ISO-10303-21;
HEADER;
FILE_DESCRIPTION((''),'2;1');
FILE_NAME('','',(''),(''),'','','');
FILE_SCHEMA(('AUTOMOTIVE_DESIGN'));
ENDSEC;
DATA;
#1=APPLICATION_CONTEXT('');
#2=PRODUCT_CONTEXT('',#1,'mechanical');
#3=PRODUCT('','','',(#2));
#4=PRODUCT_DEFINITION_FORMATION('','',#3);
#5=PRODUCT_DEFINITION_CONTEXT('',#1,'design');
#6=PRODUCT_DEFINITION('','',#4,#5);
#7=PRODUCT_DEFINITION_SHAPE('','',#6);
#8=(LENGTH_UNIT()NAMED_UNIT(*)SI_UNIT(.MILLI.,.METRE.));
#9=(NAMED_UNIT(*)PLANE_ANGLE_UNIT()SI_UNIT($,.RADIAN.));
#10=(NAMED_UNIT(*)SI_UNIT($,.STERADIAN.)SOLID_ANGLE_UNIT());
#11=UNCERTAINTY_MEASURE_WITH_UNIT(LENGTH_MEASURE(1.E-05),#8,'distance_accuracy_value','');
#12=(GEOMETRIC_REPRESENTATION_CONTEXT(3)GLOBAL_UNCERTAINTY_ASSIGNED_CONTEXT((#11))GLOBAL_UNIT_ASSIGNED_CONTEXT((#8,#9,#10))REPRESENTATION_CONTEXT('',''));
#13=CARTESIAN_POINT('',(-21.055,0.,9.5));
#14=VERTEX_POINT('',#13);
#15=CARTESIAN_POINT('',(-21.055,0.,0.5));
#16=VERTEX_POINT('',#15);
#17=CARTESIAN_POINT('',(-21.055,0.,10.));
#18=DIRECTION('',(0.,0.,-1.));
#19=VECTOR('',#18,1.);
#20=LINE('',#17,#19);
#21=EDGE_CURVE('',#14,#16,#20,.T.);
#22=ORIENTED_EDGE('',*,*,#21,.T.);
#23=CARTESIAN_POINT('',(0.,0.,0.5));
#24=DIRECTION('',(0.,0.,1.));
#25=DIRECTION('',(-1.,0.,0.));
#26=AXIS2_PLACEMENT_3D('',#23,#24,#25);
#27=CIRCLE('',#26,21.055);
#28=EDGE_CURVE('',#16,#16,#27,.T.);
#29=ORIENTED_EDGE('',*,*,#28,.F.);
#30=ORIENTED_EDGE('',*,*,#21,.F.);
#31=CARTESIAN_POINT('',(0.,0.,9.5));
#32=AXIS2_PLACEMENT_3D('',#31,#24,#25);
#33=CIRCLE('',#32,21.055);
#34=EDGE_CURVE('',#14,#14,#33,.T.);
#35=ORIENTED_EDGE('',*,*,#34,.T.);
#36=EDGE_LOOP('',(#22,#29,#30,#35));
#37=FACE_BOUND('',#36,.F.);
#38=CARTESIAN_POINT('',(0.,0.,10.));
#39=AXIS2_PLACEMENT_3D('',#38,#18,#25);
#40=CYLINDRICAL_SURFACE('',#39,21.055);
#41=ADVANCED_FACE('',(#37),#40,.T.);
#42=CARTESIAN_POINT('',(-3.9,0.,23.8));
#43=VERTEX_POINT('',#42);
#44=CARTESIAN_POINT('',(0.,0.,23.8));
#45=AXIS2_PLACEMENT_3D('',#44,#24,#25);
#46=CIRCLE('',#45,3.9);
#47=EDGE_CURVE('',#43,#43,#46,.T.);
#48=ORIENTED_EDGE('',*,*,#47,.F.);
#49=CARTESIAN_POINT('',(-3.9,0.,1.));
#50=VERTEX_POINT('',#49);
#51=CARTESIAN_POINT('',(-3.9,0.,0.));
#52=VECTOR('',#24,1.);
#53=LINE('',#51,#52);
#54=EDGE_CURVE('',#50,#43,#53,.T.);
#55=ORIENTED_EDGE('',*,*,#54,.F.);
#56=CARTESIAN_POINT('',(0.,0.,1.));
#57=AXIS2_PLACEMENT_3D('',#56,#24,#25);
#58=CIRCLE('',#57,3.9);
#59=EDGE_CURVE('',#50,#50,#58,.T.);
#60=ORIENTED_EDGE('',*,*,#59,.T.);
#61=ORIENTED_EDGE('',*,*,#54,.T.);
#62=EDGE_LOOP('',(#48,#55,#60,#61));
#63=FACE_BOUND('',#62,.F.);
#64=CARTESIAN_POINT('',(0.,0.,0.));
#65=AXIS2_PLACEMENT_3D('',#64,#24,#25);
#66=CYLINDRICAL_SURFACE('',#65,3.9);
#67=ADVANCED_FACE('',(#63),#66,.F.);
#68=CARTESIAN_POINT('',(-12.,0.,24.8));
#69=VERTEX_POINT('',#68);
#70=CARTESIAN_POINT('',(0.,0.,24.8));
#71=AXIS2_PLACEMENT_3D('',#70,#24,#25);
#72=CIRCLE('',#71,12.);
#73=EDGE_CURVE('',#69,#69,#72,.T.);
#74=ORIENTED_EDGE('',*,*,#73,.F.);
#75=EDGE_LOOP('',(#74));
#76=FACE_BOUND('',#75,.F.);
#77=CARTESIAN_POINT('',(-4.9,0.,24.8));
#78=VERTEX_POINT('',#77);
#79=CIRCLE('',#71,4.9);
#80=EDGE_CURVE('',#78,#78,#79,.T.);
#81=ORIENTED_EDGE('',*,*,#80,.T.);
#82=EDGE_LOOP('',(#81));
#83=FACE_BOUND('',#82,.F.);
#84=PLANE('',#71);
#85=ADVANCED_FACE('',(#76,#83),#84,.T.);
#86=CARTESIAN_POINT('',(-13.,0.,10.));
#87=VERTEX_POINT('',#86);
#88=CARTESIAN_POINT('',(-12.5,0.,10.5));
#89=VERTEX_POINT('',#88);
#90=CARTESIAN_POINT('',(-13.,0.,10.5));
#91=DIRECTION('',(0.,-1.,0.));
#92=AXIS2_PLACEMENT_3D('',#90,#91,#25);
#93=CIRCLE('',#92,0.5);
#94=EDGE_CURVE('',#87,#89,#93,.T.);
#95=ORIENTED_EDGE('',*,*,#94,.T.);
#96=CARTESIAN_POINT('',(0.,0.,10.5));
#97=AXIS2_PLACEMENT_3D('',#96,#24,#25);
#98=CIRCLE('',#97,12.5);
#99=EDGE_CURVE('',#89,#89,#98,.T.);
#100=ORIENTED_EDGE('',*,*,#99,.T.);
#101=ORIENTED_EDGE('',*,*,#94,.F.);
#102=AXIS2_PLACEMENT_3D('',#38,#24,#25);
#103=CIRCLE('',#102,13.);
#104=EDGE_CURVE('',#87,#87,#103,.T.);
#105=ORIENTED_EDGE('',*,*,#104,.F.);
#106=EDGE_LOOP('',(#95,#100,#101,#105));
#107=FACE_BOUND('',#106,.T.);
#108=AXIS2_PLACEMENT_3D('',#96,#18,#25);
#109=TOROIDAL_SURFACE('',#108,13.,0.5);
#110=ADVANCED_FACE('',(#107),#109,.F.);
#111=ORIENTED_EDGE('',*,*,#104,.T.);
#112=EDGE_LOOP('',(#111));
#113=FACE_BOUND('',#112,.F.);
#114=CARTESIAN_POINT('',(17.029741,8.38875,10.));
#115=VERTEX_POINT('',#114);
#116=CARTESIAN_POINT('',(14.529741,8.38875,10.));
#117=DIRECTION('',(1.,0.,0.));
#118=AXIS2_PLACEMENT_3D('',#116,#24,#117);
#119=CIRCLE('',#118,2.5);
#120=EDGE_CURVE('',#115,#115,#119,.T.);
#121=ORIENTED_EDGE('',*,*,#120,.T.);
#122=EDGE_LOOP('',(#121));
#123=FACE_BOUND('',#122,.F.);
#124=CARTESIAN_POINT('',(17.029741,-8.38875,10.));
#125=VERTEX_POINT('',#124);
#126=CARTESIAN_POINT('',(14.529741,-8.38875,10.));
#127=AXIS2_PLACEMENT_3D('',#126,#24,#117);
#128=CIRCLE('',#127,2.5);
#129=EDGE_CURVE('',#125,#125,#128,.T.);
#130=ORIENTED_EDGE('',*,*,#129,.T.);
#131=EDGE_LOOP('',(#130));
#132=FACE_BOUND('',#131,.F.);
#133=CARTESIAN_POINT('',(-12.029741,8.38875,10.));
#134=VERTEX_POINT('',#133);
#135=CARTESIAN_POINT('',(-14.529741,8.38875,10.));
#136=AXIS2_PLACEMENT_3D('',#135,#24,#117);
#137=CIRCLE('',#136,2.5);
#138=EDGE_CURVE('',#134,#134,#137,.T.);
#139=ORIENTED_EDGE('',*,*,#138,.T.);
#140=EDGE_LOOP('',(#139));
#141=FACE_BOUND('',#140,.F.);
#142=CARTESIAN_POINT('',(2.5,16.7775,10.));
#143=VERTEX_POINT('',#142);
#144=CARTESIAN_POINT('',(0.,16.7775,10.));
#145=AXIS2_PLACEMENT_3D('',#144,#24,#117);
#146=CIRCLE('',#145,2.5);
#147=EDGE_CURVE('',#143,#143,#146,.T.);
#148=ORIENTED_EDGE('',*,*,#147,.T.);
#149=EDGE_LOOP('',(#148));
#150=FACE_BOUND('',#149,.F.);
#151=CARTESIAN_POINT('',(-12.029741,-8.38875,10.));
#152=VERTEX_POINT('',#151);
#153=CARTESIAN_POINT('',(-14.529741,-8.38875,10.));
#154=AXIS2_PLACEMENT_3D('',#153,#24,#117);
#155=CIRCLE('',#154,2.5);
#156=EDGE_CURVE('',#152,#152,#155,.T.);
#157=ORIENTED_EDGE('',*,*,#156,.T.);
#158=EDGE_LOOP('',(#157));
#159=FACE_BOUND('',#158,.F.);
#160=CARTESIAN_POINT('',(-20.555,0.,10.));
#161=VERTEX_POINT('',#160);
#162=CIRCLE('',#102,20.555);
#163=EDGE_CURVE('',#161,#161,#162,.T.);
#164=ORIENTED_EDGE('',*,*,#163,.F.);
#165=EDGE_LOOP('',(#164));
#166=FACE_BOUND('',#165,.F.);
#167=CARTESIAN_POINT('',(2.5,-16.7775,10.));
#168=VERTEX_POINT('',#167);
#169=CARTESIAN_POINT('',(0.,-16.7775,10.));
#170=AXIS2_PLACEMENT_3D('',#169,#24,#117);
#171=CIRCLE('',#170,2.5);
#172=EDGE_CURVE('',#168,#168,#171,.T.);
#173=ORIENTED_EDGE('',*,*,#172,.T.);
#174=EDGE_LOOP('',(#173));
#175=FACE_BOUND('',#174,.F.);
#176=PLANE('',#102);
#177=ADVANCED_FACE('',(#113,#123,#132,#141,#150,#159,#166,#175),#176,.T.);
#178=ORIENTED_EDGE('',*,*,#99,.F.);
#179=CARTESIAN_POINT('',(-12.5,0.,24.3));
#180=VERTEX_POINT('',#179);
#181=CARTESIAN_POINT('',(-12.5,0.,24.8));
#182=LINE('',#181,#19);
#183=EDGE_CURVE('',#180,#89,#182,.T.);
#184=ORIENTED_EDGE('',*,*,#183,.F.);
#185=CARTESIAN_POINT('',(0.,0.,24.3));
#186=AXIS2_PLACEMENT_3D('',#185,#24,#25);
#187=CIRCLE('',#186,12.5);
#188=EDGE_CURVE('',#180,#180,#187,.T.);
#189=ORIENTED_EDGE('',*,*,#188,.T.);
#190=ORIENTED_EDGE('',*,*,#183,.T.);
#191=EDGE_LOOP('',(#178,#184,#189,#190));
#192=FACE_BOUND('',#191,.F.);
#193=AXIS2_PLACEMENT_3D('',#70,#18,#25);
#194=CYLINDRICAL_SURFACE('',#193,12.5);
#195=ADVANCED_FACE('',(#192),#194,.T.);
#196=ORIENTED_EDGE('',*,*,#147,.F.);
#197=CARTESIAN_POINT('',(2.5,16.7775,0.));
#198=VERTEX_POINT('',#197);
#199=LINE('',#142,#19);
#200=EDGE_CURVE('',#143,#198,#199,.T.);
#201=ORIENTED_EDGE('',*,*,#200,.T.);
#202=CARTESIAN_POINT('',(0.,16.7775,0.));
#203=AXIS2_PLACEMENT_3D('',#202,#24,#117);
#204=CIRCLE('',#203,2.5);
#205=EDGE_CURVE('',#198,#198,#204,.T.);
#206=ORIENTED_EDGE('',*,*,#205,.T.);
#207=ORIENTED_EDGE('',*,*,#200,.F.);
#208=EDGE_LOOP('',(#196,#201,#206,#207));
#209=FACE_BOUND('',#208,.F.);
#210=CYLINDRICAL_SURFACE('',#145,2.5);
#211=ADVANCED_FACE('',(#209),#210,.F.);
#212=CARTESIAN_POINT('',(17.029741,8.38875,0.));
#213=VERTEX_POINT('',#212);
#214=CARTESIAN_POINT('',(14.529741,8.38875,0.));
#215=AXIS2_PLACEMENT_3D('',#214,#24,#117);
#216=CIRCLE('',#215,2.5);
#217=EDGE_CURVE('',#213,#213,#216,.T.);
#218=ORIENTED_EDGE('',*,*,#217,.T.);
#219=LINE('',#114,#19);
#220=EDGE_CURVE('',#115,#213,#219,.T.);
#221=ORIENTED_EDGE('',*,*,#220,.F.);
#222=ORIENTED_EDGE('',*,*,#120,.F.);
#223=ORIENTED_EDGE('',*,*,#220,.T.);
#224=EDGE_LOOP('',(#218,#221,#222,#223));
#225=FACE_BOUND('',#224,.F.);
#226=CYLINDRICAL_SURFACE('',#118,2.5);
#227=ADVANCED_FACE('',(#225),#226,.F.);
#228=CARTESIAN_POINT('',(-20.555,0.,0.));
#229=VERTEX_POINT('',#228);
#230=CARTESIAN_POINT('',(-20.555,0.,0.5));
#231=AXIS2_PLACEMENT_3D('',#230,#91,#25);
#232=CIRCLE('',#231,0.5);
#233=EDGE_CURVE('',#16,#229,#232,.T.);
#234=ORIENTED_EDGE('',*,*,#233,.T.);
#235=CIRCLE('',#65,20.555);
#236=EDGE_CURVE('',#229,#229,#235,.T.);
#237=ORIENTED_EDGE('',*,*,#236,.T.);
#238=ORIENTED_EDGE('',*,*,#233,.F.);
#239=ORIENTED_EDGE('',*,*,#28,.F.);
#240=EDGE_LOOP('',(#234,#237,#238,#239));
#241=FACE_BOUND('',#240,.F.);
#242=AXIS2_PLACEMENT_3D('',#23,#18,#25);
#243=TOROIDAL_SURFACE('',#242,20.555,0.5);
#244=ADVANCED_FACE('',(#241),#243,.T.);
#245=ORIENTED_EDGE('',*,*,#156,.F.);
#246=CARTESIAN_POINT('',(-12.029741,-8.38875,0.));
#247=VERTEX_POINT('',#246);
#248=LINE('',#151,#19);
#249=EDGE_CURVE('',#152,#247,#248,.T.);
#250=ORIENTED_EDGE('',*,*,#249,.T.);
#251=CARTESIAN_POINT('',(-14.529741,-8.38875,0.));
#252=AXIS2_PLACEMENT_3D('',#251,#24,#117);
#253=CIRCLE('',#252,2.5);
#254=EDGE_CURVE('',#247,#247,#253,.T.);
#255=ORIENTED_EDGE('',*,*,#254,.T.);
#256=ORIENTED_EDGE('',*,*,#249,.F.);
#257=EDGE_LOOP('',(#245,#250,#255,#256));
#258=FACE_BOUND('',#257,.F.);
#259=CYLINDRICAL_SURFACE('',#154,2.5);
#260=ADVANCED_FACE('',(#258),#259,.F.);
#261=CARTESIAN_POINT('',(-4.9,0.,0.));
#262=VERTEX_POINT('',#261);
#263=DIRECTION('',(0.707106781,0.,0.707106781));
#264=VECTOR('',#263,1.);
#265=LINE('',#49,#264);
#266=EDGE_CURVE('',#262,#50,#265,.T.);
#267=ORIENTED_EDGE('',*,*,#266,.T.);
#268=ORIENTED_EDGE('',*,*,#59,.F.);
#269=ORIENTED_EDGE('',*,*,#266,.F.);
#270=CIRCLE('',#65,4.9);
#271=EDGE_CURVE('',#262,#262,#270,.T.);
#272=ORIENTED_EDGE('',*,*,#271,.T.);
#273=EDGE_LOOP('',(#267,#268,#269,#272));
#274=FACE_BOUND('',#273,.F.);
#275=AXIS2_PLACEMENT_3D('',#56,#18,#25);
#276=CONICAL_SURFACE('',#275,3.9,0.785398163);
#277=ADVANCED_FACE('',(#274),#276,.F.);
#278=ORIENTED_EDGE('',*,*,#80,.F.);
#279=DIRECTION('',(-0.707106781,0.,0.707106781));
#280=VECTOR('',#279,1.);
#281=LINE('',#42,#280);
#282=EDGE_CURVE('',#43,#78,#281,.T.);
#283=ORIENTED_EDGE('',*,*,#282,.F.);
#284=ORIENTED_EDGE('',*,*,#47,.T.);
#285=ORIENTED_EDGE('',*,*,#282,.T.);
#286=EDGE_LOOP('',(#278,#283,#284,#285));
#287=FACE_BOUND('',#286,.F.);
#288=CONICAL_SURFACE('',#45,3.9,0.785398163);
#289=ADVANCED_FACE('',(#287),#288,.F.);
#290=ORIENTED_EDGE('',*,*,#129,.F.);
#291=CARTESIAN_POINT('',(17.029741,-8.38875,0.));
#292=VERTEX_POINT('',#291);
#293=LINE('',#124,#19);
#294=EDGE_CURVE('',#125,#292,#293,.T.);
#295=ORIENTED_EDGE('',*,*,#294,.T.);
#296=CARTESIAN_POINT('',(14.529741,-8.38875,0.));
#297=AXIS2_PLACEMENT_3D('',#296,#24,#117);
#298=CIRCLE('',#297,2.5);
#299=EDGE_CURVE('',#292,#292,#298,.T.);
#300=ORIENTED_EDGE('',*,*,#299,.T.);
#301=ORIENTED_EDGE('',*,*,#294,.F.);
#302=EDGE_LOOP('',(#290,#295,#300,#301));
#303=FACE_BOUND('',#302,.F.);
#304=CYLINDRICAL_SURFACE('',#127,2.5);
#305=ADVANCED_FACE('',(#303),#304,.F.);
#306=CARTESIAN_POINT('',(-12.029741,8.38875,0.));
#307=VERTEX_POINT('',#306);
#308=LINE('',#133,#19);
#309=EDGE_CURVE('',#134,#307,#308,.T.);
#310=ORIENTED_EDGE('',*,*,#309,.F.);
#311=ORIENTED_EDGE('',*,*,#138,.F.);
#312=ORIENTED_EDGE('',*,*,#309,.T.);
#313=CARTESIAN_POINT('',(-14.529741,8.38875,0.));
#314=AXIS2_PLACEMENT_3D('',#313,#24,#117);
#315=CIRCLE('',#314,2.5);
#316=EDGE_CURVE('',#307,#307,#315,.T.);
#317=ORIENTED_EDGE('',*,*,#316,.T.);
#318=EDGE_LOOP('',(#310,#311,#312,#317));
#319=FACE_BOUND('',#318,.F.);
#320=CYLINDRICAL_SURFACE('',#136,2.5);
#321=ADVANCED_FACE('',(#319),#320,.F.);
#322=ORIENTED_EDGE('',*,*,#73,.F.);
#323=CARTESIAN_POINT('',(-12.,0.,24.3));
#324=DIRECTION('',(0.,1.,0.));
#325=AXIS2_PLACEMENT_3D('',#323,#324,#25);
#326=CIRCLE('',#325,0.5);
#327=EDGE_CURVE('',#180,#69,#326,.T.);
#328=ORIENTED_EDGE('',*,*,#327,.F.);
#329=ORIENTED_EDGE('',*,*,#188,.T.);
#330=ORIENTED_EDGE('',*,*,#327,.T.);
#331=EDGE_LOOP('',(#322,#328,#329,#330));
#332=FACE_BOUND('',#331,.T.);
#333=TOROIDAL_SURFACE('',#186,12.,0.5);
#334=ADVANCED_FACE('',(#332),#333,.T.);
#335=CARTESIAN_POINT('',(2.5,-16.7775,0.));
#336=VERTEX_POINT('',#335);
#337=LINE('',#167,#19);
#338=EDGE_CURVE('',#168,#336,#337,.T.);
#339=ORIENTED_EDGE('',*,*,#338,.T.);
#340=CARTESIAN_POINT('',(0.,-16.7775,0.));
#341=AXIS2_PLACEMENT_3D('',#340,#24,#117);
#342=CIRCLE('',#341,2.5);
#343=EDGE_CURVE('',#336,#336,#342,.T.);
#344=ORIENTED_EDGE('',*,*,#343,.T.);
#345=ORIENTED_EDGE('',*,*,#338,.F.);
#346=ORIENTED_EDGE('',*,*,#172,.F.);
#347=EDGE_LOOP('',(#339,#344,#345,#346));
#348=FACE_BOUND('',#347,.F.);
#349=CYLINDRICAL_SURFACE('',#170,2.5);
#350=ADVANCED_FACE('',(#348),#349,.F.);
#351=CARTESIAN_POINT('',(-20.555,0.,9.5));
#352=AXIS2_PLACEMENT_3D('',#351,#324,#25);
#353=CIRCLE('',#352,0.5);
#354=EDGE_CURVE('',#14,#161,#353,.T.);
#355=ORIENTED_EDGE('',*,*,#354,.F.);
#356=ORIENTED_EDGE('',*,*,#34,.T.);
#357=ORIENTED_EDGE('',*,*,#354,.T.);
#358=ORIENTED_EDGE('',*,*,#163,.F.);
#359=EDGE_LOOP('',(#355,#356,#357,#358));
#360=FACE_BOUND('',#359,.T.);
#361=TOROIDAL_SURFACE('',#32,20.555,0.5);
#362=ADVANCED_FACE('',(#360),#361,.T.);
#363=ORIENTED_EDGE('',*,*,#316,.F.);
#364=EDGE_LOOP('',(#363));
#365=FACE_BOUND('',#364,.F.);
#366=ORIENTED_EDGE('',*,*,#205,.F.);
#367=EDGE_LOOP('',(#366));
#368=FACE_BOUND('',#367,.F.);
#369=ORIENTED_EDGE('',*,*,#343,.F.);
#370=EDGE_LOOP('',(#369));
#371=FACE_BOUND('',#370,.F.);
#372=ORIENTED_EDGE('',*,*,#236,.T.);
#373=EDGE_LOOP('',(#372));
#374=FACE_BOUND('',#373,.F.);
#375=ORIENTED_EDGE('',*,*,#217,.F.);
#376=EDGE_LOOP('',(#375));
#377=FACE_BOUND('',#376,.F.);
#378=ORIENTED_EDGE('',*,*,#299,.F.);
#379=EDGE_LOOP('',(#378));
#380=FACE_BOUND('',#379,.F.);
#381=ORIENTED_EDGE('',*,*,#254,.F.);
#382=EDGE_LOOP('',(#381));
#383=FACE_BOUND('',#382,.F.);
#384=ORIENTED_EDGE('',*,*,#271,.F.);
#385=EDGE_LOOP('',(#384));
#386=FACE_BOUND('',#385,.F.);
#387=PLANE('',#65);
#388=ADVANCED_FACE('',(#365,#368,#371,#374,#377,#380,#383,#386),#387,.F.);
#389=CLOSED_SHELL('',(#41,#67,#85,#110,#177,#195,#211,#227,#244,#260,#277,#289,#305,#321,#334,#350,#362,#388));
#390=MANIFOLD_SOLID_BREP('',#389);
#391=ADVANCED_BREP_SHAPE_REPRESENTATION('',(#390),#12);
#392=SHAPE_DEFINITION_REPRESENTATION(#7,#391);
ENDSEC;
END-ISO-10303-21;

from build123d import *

# Parameters (mm, degrees)
F2_R     = 2.5
F3_DEPTH = 25
F4_R     = 0.5
F5_SIZE  = 1


with BuildPart() as f1:
    # F0 (on Front) → F1 (revolve)
    with BuildSketch(Plane.XZ):
        Polygon((-21.055, 10), (-21.055, 0), (-3.9, 0), (-3.9, 24.8), (-12.5, 24.8), (-12.5, 10), align=None)
    revolve(axis=Axis((0, 0, 19.087244), (0, 0, 1)))

    # F2 (on face) → F3 (cut)
    with BuildSketch(Plane.XY.offset(10)):
        with Locations((0, 16.7775)):
            Circle(F2_R)
        with Locations((-14.529741, 8.38875)):
            Circle(F2_R)
        with Locations((-14.529741, -8.38875)):
            Circle(F2_R)
        with Locations((0, -16.7775)):
            Circle(F2_R)
        with Locations((14.529741, -8.38875)):
            Circle(F2_R)
        with Locations((14.529741, 8.38875)):
            Circle(F2_R)
    extrude(amount=-F3_DEPTH, mode=Mode.SUBTRACT)

    # F4
    f4_edges = [f1.edges().sort_by_distance(p)[0] for p in [
        (12.5, 0, 24.8),
        (21.055, 0, 10),
        (21.055, 0, 0),
        (12.5, 0, 10),
    ]]
    fillet(f4_edges, radius=F4_R)

    # F5
    f5_edges = [f1.edges().sort_by_distance(p)[0] for p in [
        (3.9, 0, 24.8),
        (3.9, 0, 0),
    ]]
    chamfer(f5_edges, length=F5_SIZE)


solid = f1.part
